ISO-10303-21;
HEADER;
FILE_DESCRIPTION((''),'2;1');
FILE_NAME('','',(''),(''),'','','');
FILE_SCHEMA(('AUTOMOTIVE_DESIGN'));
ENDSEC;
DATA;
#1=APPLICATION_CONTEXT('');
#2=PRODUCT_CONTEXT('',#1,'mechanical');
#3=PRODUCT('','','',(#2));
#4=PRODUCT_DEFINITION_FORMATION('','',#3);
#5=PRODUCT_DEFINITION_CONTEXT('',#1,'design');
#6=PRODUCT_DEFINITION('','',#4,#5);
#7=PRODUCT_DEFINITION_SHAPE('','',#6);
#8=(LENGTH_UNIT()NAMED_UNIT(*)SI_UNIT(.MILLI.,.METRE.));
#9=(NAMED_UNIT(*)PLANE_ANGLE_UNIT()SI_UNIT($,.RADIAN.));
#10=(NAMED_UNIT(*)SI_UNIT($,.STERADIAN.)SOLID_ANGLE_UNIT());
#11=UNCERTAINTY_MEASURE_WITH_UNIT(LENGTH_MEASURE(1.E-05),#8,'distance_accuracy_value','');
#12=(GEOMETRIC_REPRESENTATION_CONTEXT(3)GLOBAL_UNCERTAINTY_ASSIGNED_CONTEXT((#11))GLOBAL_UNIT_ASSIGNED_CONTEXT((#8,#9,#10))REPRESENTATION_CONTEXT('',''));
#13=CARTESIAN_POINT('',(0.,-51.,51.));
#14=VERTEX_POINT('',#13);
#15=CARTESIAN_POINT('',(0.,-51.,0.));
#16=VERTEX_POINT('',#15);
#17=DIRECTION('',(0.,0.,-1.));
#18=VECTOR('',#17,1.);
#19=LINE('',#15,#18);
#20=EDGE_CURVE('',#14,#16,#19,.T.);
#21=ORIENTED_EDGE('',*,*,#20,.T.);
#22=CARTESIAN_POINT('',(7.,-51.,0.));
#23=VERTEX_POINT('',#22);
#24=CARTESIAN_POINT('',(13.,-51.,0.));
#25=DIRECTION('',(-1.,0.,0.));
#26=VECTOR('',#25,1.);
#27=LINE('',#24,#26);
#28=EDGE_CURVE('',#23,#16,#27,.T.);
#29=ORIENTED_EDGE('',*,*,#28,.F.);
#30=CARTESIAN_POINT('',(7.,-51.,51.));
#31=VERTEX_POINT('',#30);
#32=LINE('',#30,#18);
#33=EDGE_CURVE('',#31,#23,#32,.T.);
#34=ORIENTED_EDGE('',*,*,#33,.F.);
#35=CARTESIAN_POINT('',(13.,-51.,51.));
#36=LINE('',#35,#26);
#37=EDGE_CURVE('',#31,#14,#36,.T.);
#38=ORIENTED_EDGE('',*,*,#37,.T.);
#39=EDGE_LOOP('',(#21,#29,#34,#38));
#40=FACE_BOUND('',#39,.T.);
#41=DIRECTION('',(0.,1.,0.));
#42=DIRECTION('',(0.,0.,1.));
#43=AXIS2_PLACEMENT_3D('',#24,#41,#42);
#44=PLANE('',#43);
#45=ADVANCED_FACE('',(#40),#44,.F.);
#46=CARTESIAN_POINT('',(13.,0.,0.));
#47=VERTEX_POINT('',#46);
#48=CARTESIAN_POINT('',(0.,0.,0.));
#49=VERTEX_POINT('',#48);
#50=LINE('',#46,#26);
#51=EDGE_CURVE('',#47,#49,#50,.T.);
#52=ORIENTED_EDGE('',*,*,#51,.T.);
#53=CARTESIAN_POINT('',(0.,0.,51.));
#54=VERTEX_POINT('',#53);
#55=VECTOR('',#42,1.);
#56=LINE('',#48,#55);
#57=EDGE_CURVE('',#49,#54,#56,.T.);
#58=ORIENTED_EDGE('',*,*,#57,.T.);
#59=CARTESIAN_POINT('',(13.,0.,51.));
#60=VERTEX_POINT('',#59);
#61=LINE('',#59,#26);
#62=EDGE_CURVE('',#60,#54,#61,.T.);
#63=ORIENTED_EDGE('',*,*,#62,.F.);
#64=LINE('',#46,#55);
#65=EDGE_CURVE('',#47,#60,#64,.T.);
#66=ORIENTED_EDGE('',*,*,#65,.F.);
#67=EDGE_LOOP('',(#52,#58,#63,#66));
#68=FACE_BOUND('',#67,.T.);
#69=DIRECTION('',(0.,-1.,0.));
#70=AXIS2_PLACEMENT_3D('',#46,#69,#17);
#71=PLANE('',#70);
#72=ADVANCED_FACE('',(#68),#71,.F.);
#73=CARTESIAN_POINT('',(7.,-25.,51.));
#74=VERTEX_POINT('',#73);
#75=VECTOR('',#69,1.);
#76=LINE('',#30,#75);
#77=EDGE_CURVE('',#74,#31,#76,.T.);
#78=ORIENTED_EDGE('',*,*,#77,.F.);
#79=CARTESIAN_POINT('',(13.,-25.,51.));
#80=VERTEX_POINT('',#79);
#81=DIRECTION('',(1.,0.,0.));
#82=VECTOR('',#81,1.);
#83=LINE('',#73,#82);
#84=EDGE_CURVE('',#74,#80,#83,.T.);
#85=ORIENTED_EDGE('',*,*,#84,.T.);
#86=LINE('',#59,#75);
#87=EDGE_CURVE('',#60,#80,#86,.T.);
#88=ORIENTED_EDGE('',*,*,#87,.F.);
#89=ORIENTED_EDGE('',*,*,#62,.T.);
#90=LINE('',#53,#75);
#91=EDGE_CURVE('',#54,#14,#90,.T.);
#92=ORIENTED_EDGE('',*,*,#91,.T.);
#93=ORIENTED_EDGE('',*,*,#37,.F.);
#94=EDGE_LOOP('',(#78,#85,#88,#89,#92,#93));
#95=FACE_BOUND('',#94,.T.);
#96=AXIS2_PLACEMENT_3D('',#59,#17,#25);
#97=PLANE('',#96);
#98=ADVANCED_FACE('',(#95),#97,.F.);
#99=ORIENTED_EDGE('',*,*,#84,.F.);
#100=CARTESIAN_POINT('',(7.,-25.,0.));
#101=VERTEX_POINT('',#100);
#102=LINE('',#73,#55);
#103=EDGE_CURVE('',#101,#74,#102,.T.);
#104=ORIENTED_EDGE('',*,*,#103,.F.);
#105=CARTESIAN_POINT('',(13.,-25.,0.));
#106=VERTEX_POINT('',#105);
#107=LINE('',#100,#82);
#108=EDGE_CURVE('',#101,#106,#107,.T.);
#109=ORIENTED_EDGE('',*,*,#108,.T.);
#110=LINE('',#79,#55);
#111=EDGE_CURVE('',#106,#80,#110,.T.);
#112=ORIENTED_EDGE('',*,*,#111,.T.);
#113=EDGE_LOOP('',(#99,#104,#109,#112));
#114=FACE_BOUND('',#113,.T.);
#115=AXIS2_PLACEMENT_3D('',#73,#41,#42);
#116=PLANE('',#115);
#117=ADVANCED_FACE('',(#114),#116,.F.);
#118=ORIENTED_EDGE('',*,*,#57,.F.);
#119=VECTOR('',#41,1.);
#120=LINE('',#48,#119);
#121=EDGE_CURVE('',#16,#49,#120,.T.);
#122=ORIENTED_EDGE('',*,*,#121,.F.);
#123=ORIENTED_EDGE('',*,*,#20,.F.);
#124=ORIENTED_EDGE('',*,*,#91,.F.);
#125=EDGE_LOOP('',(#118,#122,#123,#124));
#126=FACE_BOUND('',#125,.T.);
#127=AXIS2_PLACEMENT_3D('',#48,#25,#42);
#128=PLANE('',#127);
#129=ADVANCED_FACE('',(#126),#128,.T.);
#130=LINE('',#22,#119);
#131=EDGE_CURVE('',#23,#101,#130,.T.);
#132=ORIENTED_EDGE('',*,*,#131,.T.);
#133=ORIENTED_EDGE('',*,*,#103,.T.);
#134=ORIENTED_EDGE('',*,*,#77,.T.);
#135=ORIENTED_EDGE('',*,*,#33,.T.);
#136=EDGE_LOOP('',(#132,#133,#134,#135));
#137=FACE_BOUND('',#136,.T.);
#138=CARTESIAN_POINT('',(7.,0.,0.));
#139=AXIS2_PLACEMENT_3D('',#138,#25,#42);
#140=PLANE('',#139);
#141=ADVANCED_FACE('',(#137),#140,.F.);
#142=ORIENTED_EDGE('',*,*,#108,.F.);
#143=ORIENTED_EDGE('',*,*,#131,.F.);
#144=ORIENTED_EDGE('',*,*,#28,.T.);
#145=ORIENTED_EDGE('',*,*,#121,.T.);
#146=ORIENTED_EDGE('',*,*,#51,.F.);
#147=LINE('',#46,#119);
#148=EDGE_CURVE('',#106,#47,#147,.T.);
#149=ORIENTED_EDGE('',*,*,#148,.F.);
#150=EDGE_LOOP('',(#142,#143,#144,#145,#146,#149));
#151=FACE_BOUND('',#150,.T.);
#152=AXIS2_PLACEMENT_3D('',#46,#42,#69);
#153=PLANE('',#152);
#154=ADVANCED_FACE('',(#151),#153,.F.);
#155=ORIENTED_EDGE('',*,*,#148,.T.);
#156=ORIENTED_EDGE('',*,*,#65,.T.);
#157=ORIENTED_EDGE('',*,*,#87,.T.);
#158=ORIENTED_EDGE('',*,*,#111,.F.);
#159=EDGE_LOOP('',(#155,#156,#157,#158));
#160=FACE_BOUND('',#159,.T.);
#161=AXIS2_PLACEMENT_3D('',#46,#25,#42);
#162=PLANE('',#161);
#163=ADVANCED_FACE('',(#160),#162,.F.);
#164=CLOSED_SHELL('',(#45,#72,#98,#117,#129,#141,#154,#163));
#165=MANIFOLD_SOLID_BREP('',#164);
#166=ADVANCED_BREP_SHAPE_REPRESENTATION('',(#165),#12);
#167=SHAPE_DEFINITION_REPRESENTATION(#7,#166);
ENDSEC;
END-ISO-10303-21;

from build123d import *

# Parameters (mm, degrees)
SKETCH1_W           = 51
SKETCH1_H           = 51
BOSS_EXTRUDE1_DEPTH = 13
SKETCH2_W           = 51
SKETCH2_H           = 26
CUT_EXTRUDE1_DEPTH  = 6


with BuildPart() as part:
    # Sketch1 → Boss-Extrude1 (new body)
    with BuildSketch(Plane(origin=(0, 0, 0), x_dir=(0, 0, -1), z_dir=(1, 0, 0))):
        with Locations((-25.5, -25.5)):
            Rectangle(SKETCH1_W, SKETCH1_H)
    extrude(amount=BOSS_EXTRUDE1_DEPTH)

    # Sketch2 → Cut-Extrude1 (cut)
    with BuildSketch(Plane(origin=(13, 0, 0), x_dir=(0, 0, -1), z_dir=(1, 0, 0))):
        with Locations((-25.5, -38)):
            Rectangle(SKETCH2_W, SKETCH2_H)
    extrude(amount=-CUT_EXTRUDE1_DEPTH, mode=Mode.SUBTRACT)


solid = part.part
